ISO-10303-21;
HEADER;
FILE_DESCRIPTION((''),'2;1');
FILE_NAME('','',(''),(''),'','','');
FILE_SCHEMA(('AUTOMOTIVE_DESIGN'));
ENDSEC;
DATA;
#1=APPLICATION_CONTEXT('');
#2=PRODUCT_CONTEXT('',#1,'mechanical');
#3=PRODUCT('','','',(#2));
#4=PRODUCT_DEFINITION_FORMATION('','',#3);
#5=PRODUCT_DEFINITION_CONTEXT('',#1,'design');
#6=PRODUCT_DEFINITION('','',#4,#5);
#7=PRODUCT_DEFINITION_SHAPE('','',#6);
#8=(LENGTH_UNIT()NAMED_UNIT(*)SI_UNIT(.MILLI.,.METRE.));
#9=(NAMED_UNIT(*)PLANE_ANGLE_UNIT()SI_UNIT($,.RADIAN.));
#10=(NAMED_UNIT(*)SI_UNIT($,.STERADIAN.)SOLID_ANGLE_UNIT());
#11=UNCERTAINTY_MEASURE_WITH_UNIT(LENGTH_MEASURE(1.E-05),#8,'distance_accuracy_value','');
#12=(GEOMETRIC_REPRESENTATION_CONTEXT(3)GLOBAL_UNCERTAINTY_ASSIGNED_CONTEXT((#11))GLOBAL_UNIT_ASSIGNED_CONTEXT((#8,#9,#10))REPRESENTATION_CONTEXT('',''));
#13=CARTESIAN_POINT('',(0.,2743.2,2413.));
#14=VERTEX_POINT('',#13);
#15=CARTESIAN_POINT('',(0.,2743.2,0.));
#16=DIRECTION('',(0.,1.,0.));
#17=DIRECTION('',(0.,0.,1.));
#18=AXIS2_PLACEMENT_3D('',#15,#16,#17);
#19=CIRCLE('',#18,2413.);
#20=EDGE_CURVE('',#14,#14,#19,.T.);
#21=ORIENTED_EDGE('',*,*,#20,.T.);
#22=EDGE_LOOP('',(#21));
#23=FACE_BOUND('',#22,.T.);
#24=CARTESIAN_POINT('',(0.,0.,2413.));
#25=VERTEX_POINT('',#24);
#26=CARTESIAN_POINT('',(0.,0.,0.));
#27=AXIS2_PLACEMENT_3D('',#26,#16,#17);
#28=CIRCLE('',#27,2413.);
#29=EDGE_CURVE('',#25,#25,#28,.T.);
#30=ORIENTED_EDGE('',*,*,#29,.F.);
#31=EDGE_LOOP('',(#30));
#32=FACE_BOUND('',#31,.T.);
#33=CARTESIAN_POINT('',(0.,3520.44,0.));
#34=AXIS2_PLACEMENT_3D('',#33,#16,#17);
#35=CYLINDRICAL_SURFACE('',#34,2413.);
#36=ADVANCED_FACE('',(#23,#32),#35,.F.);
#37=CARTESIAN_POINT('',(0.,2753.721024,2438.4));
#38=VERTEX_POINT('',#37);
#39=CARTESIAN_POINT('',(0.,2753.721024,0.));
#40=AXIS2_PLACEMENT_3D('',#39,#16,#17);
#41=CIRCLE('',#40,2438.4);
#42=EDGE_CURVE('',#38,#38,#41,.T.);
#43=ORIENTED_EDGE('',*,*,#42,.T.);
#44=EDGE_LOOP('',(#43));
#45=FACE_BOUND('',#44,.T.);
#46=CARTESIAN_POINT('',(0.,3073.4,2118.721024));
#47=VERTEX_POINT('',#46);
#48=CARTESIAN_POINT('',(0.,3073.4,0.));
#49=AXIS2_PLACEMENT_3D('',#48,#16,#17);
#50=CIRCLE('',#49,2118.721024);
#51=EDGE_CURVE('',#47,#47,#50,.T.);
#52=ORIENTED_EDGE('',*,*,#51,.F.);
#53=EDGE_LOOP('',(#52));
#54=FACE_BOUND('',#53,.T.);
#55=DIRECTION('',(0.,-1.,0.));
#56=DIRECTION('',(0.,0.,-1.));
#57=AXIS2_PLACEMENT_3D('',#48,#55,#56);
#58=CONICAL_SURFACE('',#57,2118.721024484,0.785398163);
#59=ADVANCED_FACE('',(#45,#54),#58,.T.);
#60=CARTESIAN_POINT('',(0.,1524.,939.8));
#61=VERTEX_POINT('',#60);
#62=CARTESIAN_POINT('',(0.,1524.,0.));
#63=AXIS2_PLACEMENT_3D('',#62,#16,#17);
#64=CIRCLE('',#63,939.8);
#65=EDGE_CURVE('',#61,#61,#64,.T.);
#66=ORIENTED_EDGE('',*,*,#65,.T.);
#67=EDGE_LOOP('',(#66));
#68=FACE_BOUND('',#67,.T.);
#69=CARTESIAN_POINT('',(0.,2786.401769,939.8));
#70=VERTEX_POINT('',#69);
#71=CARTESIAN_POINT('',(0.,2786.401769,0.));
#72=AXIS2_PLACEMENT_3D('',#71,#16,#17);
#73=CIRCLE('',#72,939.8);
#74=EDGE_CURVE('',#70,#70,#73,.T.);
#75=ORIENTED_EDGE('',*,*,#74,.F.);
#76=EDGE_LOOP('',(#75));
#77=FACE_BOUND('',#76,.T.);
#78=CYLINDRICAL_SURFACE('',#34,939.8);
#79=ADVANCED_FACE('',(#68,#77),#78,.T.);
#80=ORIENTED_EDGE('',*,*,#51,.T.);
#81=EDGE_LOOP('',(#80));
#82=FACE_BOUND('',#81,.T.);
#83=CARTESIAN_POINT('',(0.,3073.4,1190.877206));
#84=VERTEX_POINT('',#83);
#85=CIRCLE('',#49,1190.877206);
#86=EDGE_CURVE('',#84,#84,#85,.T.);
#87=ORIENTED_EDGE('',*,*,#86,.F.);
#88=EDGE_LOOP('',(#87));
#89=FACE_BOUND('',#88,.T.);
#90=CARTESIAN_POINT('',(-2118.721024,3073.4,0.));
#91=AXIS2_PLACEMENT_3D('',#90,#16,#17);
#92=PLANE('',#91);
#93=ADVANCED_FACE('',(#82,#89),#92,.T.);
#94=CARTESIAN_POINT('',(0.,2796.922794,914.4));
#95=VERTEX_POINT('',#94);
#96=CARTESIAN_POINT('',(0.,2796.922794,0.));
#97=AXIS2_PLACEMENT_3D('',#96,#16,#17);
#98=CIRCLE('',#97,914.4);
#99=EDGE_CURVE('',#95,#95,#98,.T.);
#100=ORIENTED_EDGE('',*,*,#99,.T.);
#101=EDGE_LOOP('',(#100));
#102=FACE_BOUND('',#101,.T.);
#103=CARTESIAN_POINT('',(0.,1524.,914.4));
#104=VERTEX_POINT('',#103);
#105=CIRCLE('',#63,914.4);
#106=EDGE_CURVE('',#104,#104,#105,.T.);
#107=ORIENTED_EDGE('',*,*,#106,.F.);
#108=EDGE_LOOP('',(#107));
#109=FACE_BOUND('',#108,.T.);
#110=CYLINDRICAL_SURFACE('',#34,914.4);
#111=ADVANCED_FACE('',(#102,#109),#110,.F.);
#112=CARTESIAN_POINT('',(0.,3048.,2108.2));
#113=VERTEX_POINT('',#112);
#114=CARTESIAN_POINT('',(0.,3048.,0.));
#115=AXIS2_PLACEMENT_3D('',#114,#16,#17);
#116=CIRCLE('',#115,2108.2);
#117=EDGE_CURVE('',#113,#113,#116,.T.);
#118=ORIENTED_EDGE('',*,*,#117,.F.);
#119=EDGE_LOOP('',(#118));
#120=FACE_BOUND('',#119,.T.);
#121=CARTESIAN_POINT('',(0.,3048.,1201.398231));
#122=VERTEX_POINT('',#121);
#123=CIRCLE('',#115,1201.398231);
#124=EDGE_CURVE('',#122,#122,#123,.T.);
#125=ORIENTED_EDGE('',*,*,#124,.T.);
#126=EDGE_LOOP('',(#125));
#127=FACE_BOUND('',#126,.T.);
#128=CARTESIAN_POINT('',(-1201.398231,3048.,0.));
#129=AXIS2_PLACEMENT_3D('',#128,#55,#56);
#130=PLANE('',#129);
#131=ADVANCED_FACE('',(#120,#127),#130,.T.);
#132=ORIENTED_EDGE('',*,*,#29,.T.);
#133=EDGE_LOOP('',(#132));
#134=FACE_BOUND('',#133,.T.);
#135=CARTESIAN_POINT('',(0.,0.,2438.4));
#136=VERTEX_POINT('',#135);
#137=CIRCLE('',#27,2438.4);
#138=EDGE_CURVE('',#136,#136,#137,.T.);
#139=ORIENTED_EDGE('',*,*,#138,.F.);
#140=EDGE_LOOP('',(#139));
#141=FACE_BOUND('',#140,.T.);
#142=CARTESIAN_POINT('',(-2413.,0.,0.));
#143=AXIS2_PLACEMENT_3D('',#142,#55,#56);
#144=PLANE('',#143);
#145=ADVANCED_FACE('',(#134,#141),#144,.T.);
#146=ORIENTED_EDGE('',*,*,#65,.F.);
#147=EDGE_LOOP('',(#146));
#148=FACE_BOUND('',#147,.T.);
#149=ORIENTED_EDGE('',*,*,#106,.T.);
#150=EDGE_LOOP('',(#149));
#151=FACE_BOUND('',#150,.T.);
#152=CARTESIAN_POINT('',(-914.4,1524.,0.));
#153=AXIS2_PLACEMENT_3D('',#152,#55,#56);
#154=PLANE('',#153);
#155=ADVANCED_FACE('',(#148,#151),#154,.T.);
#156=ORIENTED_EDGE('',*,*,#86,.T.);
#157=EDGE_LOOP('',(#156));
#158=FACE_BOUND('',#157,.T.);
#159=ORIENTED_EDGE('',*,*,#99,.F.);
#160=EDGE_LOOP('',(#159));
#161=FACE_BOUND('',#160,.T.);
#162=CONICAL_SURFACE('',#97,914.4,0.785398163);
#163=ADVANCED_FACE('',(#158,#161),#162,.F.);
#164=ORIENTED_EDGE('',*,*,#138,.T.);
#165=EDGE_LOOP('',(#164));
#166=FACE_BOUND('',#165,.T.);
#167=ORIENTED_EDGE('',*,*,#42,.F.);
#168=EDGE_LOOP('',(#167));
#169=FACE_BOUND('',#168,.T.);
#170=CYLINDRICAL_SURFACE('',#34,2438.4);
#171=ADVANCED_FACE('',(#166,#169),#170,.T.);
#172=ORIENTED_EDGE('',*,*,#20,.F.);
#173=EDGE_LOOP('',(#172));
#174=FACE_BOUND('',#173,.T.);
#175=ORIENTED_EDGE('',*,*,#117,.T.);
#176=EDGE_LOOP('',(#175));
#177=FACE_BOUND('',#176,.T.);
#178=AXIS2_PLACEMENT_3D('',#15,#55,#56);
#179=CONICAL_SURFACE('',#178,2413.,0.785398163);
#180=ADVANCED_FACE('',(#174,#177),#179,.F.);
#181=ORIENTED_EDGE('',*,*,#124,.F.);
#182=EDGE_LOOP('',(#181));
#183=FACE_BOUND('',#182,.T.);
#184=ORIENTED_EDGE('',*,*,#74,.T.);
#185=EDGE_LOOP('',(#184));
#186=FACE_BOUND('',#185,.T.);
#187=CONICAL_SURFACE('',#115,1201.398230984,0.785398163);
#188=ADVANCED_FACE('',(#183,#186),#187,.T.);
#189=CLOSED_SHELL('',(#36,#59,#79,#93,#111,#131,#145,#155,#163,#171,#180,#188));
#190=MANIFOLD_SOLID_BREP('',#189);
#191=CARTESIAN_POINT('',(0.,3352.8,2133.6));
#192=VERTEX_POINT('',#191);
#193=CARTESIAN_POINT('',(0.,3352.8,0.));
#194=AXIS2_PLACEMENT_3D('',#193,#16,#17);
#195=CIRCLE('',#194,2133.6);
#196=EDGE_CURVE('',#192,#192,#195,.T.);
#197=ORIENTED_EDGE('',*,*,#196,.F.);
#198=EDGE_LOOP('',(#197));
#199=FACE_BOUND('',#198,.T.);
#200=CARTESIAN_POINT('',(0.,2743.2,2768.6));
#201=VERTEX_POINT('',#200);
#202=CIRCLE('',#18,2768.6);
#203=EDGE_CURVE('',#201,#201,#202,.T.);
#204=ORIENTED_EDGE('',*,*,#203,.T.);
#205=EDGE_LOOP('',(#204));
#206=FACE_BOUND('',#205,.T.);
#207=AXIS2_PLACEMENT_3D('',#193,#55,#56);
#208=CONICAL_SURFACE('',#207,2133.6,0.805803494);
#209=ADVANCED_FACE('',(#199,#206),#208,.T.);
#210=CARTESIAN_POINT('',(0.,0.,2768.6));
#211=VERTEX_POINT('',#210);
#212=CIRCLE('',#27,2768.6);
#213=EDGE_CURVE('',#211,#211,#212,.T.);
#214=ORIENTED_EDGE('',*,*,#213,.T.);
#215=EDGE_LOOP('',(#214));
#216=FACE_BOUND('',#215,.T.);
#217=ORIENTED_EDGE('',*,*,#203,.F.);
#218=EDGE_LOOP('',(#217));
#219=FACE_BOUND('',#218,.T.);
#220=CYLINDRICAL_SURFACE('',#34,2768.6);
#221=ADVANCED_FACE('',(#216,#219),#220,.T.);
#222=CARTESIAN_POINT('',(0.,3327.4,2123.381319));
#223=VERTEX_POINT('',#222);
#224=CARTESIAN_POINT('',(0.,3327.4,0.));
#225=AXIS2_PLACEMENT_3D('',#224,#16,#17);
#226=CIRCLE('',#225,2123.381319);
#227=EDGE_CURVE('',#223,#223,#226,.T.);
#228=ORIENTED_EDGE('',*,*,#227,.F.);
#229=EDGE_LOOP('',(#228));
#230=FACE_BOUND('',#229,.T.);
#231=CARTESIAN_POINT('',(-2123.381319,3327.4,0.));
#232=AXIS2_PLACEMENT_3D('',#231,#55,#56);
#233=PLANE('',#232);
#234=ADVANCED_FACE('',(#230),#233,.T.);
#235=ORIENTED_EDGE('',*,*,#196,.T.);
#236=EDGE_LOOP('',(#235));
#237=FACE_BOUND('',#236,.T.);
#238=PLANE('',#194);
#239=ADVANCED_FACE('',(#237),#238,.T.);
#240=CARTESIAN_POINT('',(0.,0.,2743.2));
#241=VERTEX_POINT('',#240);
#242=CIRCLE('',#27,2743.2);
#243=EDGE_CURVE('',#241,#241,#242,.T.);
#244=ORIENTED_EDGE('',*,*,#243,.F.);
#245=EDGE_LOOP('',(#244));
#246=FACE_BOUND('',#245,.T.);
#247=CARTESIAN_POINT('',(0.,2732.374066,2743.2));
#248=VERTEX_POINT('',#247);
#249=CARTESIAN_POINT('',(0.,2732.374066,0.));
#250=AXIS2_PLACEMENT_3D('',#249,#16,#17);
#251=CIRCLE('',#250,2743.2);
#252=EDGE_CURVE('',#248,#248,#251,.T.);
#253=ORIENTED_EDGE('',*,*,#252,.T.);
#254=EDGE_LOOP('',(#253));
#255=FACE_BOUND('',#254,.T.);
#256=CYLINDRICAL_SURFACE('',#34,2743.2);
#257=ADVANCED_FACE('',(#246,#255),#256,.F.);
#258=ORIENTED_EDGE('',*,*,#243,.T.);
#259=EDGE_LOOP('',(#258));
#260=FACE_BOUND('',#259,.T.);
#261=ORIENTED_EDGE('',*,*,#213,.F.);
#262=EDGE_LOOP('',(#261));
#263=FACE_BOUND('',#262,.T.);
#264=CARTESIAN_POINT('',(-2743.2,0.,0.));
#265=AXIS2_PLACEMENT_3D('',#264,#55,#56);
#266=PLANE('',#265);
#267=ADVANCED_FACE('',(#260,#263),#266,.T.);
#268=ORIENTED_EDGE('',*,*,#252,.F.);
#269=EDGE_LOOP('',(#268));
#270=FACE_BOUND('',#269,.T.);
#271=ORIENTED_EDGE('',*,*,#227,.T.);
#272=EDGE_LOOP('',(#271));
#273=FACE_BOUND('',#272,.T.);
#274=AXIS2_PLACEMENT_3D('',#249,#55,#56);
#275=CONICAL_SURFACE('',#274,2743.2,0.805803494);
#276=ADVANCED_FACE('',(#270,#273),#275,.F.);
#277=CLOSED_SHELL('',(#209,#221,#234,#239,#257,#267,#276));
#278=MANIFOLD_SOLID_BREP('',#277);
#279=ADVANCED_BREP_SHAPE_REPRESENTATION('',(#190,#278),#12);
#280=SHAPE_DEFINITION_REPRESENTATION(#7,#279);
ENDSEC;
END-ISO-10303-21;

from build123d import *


with BuildPart() as part:
    # Sketch1 → Revolve1 (revolve)
    with BuildSketch(Plane.XY):
        Polygon((-2438.4, 0), (-2438.4, 2753.721024484), (-2118.721024484, 3073.4), (-1190.8772065, 3073.4), (-914.4, 2796.9227935), (-914.4, 1524), (-939.8, 1524), (-939.8, 2786.401769016), (-1201.398230984, 3048), (-2108.2, 3048), (-2413, 2743.2), (-2413, 0), align=None)
    revolve(axis=Axis((0, 3520.44, 0), (0, -1, 0)))


with BuildPart() as body_2:
    # Sketch2 → Revolve2 (revolve)
    with BuildSketch(Plane.XY):
        Polygon((-2743.2, 0), (-2768.6, 0), (-2768.6, 2743.2), (-2133.6, 3352.8), (0, 3352.8), (0, 3327.4), (-2123.381318695, 3327.4), (-2743.2, 2732.374065947), align=None)
    revolve(axis=Axis((0, 3520.44, 0), (0, -1, 0)))


solid = Compound([part.part, body_2.part])
